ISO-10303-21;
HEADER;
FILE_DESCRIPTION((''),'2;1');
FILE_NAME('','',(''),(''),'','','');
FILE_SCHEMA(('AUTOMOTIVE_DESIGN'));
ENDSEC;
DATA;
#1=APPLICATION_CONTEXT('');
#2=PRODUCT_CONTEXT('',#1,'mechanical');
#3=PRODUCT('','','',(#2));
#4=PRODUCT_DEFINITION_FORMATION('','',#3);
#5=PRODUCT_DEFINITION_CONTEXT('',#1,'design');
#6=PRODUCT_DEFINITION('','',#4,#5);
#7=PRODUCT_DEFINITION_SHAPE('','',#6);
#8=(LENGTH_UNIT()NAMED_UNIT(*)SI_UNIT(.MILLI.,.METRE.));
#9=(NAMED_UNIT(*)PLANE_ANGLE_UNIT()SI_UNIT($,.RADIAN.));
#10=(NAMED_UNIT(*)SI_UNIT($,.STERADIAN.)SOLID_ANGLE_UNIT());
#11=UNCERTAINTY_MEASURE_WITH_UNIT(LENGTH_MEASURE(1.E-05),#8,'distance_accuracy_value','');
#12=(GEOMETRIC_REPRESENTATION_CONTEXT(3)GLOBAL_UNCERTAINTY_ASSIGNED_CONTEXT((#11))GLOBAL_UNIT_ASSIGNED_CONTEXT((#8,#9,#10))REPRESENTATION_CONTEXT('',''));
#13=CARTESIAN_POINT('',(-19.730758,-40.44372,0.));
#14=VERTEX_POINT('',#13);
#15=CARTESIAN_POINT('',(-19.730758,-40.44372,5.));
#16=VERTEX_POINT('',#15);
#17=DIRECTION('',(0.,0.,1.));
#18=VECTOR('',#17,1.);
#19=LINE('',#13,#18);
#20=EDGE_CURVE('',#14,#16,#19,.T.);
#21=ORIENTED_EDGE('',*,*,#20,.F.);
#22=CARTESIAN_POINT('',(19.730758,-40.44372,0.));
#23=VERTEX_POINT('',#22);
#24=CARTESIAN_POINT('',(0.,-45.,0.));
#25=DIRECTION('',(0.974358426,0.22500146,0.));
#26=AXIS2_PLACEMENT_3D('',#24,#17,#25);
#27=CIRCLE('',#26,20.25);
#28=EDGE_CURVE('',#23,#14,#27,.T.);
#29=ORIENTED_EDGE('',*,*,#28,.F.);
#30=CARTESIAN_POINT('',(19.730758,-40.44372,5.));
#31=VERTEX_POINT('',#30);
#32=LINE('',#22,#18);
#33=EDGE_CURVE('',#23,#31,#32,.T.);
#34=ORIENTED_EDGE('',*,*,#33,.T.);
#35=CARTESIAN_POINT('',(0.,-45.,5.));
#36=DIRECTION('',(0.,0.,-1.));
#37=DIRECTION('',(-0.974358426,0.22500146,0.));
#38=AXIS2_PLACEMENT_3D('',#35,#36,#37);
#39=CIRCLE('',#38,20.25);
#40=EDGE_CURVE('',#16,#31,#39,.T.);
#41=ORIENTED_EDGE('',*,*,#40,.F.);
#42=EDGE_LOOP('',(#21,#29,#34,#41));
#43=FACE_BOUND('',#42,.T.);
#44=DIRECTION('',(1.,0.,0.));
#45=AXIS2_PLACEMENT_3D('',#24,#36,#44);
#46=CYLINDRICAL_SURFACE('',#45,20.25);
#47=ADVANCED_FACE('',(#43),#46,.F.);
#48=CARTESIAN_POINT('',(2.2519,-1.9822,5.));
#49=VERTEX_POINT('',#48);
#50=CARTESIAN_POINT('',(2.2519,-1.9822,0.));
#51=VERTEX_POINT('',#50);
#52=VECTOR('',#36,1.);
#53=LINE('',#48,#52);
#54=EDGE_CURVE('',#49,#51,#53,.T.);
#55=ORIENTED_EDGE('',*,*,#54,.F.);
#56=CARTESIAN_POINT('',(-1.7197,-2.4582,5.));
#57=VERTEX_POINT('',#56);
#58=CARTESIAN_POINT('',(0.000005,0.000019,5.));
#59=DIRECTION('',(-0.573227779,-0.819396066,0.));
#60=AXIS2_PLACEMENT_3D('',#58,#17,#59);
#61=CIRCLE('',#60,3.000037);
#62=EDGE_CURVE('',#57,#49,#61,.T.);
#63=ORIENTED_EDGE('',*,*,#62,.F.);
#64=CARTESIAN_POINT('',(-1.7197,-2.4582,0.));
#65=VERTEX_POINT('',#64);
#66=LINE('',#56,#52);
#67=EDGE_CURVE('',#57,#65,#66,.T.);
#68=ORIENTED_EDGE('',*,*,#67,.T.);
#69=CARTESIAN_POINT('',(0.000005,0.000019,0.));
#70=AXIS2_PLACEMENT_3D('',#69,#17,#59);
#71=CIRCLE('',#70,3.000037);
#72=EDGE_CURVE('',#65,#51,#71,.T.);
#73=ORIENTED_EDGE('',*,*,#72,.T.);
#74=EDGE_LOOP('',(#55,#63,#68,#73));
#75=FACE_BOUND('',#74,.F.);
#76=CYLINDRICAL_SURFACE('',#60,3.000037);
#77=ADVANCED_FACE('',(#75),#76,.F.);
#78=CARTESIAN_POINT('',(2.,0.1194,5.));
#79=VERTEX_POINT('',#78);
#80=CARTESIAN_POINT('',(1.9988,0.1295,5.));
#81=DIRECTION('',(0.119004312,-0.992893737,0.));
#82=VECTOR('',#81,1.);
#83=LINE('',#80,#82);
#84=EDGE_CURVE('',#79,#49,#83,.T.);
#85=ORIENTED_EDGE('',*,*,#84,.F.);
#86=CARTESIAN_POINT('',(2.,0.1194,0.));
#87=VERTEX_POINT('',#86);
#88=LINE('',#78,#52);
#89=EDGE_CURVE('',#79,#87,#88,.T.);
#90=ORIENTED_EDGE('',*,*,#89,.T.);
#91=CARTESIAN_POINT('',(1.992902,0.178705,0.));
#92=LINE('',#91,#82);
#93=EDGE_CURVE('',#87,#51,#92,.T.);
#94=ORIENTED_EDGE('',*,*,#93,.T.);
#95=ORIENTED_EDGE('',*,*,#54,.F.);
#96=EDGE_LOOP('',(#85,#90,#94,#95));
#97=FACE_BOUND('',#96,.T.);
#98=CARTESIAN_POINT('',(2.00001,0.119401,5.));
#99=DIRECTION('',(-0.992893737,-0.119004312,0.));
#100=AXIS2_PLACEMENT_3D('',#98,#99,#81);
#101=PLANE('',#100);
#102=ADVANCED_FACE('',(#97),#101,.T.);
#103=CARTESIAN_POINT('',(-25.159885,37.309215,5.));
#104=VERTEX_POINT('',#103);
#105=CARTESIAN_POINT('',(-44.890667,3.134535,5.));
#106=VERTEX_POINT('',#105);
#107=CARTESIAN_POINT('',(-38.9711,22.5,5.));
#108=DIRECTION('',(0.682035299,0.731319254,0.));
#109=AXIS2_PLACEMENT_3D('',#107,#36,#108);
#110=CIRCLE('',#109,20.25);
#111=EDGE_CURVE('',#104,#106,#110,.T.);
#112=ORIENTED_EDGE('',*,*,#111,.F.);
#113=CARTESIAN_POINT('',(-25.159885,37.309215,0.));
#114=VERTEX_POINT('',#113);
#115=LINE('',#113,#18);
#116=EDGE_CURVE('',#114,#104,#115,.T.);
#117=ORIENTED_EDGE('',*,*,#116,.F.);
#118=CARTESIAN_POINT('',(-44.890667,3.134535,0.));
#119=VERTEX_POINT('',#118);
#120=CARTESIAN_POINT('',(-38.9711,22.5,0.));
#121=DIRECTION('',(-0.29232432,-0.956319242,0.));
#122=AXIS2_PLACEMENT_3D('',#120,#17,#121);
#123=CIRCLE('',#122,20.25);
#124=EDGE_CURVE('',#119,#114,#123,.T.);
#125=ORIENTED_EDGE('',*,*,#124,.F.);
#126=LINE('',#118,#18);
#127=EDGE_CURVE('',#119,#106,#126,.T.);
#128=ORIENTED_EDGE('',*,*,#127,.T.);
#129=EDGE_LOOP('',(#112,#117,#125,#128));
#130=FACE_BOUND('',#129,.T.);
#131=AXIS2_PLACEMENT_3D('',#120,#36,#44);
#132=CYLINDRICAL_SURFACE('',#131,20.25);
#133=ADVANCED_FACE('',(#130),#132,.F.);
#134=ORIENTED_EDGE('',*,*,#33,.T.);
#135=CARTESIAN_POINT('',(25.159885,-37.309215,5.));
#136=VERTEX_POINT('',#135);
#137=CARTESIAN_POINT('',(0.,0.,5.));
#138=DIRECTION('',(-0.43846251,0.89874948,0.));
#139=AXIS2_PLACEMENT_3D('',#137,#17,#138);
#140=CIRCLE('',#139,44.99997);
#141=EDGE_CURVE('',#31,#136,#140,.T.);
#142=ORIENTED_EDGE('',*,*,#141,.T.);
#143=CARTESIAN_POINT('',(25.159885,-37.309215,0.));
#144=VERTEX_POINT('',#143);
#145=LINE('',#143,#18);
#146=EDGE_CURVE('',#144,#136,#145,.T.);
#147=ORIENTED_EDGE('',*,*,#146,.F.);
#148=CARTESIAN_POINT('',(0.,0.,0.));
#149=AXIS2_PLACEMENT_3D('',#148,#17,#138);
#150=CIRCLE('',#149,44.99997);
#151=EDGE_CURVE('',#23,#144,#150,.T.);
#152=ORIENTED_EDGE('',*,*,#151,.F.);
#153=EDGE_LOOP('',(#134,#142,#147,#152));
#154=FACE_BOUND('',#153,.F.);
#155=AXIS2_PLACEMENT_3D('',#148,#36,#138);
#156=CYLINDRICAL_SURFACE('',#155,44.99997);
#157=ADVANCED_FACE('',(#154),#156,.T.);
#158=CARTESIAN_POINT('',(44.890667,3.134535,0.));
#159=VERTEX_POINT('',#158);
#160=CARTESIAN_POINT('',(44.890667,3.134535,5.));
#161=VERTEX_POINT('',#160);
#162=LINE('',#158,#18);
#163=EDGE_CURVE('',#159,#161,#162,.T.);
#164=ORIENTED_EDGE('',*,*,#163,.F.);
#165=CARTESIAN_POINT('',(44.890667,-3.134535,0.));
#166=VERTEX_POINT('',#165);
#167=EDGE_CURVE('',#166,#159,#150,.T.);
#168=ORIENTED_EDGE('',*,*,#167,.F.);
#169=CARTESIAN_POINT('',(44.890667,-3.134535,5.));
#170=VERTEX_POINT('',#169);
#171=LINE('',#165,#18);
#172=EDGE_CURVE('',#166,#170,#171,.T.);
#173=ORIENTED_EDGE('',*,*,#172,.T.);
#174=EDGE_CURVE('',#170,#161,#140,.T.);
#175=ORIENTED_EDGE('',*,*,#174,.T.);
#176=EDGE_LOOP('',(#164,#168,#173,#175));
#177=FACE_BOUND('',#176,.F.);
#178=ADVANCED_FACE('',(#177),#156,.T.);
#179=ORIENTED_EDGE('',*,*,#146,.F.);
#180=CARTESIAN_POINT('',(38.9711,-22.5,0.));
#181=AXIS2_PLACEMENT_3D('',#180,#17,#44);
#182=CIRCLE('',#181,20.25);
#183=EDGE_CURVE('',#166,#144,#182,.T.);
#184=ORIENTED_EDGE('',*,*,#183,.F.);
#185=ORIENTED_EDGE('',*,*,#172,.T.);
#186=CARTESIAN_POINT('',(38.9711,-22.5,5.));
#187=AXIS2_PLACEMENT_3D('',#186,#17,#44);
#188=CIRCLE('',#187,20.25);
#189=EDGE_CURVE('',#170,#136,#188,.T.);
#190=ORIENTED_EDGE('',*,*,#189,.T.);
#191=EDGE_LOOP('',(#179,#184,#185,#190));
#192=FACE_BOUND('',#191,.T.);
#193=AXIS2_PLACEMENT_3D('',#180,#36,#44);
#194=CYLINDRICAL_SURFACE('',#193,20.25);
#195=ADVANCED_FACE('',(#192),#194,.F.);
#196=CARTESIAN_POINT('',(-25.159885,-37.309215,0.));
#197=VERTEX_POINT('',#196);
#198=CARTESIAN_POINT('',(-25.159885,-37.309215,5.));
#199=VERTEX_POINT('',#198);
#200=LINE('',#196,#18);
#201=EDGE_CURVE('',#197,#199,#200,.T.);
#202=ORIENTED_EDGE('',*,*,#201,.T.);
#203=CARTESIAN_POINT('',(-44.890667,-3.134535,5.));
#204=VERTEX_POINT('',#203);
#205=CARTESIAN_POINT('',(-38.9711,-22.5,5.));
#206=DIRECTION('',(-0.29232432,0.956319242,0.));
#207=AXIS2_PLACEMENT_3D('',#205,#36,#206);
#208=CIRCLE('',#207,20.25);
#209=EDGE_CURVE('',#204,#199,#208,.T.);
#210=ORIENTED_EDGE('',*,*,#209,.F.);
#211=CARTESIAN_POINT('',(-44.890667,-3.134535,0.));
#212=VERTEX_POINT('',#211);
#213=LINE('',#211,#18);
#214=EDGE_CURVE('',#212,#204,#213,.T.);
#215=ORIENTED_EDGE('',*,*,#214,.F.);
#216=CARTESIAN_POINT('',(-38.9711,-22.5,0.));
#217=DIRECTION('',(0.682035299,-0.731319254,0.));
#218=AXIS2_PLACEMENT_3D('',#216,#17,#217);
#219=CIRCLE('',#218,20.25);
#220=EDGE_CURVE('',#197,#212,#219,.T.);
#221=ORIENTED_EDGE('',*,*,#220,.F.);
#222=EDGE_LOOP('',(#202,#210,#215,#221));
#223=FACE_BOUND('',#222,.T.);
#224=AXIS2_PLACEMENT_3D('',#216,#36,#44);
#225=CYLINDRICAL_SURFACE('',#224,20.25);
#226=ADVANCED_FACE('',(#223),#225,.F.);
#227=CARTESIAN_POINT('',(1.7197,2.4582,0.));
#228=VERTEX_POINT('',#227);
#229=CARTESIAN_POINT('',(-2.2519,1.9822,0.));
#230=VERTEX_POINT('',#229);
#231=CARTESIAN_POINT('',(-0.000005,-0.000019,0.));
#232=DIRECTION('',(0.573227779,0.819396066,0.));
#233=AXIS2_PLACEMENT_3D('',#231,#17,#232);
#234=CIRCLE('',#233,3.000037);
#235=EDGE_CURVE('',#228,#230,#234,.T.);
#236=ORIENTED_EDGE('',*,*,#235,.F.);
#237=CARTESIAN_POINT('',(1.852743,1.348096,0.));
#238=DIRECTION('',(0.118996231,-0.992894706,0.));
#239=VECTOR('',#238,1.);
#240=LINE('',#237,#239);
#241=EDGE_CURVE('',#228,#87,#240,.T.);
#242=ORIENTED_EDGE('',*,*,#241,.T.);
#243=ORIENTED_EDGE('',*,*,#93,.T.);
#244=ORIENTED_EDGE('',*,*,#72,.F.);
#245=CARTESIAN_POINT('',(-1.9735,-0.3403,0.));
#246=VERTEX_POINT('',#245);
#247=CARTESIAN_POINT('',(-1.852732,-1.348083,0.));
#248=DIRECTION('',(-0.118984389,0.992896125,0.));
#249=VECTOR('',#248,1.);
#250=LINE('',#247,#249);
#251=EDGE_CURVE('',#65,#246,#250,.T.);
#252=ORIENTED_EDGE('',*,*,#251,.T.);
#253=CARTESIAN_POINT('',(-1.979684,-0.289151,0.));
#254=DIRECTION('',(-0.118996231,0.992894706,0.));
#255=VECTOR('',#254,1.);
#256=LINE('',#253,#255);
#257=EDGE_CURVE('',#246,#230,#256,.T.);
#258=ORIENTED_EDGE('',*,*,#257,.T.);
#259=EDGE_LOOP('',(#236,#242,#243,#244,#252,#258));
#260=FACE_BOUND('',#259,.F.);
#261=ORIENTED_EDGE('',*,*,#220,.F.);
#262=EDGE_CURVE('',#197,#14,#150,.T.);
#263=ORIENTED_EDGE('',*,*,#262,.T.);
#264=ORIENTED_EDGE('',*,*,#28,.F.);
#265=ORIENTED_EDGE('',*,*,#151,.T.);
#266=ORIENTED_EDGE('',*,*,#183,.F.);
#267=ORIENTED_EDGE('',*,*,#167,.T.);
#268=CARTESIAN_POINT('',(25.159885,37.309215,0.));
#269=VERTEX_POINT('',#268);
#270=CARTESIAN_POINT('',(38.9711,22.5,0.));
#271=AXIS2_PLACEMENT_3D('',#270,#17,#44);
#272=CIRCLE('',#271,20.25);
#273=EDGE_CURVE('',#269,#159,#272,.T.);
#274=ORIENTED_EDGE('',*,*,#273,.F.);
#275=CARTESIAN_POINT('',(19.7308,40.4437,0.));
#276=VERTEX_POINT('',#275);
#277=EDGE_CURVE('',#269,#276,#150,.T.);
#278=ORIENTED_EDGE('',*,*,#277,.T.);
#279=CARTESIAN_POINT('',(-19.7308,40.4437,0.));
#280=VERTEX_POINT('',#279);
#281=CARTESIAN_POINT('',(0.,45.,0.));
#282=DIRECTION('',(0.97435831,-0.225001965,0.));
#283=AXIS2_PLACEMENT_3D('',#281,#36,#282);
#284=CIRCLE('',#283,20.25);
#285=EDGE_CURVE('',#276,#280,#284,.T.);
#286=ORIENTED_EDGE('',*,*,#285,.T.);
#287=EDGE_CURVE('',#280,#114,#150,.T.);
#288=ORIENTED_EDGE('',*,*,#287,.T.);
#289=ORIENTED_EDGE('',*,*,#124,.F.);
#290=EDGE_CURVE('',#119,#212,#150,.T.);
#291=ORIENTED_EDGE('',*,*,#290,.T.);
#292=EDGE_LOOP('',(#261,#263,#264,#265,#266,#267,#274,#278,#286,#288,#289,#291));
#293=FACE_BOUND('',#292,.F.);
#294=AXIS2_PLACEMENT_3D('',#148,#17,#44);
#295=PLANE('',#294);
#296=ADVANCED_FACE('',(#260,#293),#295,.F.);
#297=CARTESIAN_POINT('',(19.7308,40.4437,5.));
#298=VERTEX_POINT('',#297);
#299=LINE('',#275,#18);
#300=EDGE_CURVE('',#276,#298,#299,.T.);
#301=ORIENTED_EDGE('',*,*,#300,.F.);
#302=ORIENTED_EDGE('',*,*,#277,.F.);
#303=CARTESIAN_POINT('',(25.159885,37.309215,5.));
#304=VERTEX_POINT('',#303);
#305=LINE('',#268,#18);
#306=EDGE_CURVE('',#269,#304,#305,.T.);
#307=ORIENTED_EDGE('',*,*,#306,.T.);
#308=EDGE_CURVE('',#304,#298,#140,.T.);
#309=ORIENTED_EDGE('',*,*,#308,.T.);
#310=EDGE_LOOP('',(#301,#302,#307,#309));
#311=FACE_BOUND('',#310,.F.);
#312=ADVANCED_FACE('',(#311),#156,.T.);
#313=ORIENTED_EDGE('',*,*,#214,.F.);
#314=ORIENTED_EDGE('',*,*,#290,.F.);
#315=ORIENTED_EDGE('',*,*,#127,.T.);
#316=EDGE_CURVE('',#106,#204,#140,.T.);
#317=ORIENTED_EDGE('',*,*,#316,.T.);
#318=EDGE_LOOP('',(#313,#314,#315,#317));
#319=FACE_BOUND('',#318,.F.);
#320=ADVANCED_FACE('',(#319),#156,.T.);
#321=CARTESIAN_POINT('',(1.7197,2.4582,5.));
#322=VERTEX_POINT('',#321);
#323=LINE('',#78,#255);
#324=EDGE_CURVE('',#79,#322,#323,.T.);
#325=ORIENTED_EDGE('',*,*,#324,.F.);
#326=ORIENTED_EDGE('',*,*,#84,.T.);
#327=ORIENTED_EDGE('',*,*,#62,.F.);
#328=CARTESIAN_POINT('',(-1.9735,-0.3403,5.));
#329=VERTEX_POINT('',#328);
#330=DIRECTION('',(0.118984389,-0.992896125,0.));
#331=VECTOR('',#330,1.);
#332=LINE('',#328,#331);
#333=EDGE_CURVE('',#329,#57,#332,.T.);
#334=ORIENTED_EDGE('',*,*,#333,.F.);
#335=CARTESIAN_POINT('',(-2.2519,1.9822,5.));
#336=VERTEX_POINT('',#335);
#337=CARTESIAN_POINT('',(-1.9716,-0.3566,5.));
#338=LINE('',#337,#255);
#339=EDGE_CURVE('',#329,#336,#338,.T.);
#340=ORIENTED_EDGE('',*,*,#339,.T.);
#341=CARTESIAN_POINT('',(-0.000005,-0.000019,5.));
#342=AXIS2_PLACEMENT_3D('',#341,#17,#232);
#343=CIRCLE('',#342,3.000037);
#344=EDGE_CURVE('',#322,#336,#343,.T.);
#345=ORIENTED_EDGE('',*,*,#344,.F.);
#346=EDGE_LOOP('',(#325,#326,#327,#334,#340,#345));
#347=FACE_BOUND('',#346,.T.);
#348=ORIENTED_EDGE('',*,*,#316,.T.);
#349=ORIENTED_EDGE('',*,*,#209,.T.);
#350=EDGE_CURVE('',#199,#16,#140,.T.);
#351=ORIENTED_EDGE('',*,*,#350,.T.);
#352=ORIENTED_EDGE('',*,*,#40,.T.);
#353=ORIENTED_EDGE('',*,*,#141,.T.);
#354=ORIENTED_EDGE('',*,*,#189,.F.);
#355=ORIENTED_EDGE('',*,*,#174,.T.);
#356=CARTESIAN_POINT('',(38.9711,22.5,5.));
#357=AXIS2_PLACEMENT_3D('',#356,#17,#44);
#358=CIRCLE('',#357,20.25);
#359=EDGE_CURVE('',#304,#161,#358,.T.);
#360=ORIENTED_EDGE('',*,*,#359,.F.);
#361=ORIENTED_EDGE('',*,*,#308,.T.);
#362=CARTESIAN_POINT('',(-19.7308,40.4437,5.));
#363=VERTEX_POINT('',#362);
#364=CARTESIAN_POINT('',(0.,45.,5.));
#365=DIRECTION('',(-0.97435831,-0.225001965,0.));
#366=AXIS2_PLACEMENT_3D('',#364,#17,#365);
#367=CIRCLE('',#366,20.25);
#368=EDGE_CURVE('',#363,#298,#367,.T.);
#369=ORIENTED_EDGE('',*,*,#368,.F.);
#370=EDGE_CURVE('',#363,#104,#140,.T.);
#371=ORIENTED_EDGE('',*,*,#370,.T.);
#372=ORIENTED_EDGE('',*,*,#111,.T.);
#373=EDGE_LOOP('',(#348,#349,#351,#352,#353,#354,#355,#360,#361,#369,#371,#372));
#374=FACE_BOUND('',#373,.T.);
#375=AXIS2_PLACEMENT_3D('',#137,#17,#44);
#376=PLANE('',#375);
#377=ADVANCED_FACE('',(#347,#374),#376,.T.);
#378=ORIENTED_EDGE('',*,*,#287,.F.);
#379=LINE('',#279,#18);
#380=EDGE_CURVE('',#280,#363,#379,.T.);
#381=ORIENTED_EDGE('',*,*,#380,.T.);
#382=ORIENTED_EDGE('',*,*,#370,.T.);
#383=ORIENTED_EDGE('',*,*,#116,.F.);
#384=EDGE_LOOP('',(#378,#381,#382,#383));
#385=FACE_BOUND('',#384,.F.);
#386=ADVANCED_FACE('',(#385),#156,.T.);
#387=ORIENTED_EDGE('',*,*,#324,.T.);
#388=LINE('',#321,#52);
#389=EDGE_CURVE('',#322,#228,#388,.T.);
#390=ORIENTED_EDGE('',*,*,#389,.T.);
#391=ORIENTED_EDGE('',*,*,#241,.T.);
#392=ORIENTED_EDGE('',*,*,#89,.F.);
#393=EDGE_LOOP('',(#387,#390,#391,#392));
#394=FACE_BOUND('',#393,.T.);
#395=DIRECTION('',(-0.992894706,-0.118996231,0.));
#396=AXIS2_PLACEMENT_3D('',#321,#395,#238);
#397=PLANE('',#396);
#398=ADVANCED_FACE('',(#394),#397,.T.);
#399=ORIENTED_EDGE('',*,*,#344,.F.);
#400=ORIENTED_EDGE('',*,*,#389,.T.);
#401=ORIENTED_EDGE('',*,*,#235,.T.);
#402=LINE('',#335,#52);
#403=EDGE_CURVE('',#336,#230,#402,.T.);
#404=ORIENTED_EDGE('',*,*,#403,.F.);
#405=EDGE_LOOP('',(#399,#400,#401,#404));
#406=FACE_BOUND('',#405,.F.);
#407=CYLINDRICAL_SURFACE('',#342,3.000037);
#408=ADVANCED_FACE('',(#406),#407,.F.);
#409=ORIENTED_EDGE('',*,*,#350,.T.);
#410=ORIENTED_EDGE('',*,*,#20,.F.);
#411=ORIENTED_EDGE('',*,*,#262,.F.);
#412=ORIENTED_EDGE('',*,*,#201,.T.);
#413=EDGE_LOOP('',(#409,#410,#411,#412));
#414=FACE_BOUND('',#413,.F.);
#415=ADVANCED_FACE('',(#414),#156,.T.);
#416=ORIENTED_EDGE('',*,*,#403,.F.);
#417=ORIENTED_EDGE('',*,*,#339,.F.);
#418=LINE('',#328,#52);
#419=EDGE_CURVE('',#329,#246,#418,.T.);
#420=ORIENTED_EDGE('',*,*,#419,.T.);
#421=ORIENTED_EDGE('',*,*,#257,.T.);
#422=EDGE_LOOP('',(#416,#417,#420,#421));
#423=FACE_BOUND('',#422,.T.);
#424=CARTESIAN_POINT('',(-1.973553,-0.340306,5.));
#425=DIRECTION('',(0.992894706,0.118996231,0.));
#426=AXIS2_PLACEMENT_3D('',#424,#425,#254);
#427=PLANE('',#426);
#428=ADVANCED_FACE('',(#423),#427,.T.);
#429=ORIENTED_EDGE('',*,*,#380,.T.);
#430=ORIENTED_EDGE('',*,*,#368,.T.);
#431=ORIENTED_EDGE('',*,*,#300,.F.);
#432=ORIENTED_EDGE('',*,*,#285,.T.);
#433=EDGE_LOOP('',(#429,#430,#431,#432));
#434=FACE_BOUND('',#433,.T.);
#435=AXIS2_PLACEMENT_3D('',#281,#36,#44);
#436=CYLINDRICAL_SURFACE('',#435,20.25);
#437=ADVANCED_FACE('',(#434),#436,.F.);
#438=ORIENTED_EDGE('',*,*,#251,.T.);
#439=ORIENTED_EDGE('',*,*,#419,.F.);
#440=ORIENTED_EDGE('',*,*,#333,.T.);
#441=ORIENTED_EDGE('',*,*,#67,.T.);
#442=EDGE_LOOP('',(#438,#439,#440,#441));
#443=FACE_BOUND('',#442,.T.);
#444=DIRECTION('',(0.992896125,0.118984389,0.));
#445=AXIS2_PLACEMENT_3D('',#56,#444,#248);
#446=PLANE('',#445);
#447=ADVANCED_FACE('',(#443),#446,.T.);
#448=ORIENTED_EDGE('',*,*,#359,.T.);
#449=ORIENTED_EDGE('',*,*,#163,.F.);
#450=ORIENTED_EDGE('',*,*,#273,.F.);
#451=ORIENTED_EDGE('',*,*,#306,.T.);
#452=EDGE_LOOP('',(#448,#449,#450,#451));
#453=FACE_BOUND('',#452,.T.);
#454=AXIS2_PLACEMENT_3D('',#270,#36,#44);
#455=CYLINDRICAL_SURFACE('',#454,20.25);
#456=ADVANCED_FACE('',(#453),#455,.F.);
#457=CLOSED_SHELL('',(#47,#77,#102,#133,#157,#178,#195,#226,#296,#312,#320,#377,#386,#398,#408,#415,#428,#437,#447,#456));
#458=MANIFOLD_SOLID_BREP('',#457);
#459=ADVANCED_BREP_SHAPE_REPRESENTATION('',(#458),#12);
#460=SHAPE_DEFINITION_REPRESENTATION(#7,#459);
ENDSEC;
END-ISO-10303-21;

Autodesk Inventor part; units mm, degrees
ref_plane "YZ Plane" through (0, 0, 0) normal (1, 0, 0) x (0, 1, 0)
ref_plane "XZ Plane" through (0, 0, 0) normal (0, 1, 0) x (-1, 0, 0)
sketch "Эскиз1" plane through (0, 0, 0) normal (0, 0, 1) x (1, 0, 0)
  arc A0 (-19.7308, 40.4437) -> (19.7308, 40.4437) centre (0, 0) ccw
  circle A1 centre (0, 45) radius 20.25
  line L0 (0, 91.35) -> (0, -91.35) projected
  circle A2 centre (-38.9711, 22.5) radius 20.25
  circle A3 centre (-38.9711, -22.5) radius 20.25
  circle A4 centre (0, -45) radius 20.25
  circle A5 centre (38.9711, -22.5) radius 20.25
  circle A6 centre (38.9711, 22.5) radius 20.25
  point P0 (-19.7308, -40.4437)
  point P1 (19.7308, -40.4438)
  point P2 (25.1599, -37.3092)
  point P3 (44.8907, -3.1345)
  point P4 (44.8907, 3.1345)
  point P5 (25.1599, 37.3092)
  point P6 (-25.1599, 37.3092)
  point P7 (-44.8907, 3.1345)
  point P8 (-44.8907, -3.1345)
  point P9 (-25.1599, -37.3092)
  dimension "d0" = 40.5
  dimension "d3" = 360
  dimension "d5" = 90
extrude "Выдавливание1" add sketch "Эскиз1" along normal blind 5 contours A1 L0 A4 A0 A3 A2 | A1 A0 A6 A5 A4 L0
sketch "Эскиз2" plane through (0, 0, 5) normal (0, 0, 1) x (1, 0, 0)
  line L0 (-1.3319, -1.492) -> (-1.6468, 1.135) projected
  arc A0 (-1.2513, -2.1643) -> (1.7273, -1.8073) centre (0, 0) ccw projected
  line L1 (1.3319, 1.492) -> (1.6468, -1.135) projected
  line L2 (-1.2513, -2.1643) -> (-1.3319, -1.492) projected
  line L3 (1.6468, -1.135) -> (1.7273, -1.8073) projected
  arc A1 (1.2513, 2.1643) -> (-1.7273, 1.8073) centre (0, 0) ccw projected
  line L4 (1.2513, 2.1643) -> (1.3319, 1.492) projected
  line L5 (-1.6468, 1.135) -> (-1.7273, 1.8073) projected
  arc A2 (1.7197, 2.4582) -> (-2.2519, 1.9822) centre (0, 0) ccw
  line L6 (1.7197, 2.4582) -> (2, 0.1194)
  line L7 (2, 0.1194) -> (1.9988, 0.1295)
  line L8 (1.9988, 0.1295) -> (2.2519, -1.9822)
  arc A3 (-1.7197, -2.4582) -> (2.2519, -1.9822) centre (0, 0) ccw
  line L9 (-1.7197, -2.4582) -> (-1.9735, -0.3403)
  line L10 (-1.9735, -0.3403) -> (-1.9716, -0.3566)
  line L11 (-1.9716, -0.3566) -> (-2.2519, 1.9822)
  point P0 (0, 0)
  point P1 (-1.9716, -0.3566)
  point P2 (2, 0.1296)
  dimension "d8" = 0.5
extrude "Выдавливание2" cut sketch "Эскиз2" against normal through all contours L0 L5 A1 L4 L1 L3 A0 L2 | L6 L8 A3 L9 L11 A2
ref_plane "РабПлоскость1" through (0, 0, 2.5) normal (0, 0, 1) x (1, 0, 0)
properties part number "шестеренка_для_мозговорота"
